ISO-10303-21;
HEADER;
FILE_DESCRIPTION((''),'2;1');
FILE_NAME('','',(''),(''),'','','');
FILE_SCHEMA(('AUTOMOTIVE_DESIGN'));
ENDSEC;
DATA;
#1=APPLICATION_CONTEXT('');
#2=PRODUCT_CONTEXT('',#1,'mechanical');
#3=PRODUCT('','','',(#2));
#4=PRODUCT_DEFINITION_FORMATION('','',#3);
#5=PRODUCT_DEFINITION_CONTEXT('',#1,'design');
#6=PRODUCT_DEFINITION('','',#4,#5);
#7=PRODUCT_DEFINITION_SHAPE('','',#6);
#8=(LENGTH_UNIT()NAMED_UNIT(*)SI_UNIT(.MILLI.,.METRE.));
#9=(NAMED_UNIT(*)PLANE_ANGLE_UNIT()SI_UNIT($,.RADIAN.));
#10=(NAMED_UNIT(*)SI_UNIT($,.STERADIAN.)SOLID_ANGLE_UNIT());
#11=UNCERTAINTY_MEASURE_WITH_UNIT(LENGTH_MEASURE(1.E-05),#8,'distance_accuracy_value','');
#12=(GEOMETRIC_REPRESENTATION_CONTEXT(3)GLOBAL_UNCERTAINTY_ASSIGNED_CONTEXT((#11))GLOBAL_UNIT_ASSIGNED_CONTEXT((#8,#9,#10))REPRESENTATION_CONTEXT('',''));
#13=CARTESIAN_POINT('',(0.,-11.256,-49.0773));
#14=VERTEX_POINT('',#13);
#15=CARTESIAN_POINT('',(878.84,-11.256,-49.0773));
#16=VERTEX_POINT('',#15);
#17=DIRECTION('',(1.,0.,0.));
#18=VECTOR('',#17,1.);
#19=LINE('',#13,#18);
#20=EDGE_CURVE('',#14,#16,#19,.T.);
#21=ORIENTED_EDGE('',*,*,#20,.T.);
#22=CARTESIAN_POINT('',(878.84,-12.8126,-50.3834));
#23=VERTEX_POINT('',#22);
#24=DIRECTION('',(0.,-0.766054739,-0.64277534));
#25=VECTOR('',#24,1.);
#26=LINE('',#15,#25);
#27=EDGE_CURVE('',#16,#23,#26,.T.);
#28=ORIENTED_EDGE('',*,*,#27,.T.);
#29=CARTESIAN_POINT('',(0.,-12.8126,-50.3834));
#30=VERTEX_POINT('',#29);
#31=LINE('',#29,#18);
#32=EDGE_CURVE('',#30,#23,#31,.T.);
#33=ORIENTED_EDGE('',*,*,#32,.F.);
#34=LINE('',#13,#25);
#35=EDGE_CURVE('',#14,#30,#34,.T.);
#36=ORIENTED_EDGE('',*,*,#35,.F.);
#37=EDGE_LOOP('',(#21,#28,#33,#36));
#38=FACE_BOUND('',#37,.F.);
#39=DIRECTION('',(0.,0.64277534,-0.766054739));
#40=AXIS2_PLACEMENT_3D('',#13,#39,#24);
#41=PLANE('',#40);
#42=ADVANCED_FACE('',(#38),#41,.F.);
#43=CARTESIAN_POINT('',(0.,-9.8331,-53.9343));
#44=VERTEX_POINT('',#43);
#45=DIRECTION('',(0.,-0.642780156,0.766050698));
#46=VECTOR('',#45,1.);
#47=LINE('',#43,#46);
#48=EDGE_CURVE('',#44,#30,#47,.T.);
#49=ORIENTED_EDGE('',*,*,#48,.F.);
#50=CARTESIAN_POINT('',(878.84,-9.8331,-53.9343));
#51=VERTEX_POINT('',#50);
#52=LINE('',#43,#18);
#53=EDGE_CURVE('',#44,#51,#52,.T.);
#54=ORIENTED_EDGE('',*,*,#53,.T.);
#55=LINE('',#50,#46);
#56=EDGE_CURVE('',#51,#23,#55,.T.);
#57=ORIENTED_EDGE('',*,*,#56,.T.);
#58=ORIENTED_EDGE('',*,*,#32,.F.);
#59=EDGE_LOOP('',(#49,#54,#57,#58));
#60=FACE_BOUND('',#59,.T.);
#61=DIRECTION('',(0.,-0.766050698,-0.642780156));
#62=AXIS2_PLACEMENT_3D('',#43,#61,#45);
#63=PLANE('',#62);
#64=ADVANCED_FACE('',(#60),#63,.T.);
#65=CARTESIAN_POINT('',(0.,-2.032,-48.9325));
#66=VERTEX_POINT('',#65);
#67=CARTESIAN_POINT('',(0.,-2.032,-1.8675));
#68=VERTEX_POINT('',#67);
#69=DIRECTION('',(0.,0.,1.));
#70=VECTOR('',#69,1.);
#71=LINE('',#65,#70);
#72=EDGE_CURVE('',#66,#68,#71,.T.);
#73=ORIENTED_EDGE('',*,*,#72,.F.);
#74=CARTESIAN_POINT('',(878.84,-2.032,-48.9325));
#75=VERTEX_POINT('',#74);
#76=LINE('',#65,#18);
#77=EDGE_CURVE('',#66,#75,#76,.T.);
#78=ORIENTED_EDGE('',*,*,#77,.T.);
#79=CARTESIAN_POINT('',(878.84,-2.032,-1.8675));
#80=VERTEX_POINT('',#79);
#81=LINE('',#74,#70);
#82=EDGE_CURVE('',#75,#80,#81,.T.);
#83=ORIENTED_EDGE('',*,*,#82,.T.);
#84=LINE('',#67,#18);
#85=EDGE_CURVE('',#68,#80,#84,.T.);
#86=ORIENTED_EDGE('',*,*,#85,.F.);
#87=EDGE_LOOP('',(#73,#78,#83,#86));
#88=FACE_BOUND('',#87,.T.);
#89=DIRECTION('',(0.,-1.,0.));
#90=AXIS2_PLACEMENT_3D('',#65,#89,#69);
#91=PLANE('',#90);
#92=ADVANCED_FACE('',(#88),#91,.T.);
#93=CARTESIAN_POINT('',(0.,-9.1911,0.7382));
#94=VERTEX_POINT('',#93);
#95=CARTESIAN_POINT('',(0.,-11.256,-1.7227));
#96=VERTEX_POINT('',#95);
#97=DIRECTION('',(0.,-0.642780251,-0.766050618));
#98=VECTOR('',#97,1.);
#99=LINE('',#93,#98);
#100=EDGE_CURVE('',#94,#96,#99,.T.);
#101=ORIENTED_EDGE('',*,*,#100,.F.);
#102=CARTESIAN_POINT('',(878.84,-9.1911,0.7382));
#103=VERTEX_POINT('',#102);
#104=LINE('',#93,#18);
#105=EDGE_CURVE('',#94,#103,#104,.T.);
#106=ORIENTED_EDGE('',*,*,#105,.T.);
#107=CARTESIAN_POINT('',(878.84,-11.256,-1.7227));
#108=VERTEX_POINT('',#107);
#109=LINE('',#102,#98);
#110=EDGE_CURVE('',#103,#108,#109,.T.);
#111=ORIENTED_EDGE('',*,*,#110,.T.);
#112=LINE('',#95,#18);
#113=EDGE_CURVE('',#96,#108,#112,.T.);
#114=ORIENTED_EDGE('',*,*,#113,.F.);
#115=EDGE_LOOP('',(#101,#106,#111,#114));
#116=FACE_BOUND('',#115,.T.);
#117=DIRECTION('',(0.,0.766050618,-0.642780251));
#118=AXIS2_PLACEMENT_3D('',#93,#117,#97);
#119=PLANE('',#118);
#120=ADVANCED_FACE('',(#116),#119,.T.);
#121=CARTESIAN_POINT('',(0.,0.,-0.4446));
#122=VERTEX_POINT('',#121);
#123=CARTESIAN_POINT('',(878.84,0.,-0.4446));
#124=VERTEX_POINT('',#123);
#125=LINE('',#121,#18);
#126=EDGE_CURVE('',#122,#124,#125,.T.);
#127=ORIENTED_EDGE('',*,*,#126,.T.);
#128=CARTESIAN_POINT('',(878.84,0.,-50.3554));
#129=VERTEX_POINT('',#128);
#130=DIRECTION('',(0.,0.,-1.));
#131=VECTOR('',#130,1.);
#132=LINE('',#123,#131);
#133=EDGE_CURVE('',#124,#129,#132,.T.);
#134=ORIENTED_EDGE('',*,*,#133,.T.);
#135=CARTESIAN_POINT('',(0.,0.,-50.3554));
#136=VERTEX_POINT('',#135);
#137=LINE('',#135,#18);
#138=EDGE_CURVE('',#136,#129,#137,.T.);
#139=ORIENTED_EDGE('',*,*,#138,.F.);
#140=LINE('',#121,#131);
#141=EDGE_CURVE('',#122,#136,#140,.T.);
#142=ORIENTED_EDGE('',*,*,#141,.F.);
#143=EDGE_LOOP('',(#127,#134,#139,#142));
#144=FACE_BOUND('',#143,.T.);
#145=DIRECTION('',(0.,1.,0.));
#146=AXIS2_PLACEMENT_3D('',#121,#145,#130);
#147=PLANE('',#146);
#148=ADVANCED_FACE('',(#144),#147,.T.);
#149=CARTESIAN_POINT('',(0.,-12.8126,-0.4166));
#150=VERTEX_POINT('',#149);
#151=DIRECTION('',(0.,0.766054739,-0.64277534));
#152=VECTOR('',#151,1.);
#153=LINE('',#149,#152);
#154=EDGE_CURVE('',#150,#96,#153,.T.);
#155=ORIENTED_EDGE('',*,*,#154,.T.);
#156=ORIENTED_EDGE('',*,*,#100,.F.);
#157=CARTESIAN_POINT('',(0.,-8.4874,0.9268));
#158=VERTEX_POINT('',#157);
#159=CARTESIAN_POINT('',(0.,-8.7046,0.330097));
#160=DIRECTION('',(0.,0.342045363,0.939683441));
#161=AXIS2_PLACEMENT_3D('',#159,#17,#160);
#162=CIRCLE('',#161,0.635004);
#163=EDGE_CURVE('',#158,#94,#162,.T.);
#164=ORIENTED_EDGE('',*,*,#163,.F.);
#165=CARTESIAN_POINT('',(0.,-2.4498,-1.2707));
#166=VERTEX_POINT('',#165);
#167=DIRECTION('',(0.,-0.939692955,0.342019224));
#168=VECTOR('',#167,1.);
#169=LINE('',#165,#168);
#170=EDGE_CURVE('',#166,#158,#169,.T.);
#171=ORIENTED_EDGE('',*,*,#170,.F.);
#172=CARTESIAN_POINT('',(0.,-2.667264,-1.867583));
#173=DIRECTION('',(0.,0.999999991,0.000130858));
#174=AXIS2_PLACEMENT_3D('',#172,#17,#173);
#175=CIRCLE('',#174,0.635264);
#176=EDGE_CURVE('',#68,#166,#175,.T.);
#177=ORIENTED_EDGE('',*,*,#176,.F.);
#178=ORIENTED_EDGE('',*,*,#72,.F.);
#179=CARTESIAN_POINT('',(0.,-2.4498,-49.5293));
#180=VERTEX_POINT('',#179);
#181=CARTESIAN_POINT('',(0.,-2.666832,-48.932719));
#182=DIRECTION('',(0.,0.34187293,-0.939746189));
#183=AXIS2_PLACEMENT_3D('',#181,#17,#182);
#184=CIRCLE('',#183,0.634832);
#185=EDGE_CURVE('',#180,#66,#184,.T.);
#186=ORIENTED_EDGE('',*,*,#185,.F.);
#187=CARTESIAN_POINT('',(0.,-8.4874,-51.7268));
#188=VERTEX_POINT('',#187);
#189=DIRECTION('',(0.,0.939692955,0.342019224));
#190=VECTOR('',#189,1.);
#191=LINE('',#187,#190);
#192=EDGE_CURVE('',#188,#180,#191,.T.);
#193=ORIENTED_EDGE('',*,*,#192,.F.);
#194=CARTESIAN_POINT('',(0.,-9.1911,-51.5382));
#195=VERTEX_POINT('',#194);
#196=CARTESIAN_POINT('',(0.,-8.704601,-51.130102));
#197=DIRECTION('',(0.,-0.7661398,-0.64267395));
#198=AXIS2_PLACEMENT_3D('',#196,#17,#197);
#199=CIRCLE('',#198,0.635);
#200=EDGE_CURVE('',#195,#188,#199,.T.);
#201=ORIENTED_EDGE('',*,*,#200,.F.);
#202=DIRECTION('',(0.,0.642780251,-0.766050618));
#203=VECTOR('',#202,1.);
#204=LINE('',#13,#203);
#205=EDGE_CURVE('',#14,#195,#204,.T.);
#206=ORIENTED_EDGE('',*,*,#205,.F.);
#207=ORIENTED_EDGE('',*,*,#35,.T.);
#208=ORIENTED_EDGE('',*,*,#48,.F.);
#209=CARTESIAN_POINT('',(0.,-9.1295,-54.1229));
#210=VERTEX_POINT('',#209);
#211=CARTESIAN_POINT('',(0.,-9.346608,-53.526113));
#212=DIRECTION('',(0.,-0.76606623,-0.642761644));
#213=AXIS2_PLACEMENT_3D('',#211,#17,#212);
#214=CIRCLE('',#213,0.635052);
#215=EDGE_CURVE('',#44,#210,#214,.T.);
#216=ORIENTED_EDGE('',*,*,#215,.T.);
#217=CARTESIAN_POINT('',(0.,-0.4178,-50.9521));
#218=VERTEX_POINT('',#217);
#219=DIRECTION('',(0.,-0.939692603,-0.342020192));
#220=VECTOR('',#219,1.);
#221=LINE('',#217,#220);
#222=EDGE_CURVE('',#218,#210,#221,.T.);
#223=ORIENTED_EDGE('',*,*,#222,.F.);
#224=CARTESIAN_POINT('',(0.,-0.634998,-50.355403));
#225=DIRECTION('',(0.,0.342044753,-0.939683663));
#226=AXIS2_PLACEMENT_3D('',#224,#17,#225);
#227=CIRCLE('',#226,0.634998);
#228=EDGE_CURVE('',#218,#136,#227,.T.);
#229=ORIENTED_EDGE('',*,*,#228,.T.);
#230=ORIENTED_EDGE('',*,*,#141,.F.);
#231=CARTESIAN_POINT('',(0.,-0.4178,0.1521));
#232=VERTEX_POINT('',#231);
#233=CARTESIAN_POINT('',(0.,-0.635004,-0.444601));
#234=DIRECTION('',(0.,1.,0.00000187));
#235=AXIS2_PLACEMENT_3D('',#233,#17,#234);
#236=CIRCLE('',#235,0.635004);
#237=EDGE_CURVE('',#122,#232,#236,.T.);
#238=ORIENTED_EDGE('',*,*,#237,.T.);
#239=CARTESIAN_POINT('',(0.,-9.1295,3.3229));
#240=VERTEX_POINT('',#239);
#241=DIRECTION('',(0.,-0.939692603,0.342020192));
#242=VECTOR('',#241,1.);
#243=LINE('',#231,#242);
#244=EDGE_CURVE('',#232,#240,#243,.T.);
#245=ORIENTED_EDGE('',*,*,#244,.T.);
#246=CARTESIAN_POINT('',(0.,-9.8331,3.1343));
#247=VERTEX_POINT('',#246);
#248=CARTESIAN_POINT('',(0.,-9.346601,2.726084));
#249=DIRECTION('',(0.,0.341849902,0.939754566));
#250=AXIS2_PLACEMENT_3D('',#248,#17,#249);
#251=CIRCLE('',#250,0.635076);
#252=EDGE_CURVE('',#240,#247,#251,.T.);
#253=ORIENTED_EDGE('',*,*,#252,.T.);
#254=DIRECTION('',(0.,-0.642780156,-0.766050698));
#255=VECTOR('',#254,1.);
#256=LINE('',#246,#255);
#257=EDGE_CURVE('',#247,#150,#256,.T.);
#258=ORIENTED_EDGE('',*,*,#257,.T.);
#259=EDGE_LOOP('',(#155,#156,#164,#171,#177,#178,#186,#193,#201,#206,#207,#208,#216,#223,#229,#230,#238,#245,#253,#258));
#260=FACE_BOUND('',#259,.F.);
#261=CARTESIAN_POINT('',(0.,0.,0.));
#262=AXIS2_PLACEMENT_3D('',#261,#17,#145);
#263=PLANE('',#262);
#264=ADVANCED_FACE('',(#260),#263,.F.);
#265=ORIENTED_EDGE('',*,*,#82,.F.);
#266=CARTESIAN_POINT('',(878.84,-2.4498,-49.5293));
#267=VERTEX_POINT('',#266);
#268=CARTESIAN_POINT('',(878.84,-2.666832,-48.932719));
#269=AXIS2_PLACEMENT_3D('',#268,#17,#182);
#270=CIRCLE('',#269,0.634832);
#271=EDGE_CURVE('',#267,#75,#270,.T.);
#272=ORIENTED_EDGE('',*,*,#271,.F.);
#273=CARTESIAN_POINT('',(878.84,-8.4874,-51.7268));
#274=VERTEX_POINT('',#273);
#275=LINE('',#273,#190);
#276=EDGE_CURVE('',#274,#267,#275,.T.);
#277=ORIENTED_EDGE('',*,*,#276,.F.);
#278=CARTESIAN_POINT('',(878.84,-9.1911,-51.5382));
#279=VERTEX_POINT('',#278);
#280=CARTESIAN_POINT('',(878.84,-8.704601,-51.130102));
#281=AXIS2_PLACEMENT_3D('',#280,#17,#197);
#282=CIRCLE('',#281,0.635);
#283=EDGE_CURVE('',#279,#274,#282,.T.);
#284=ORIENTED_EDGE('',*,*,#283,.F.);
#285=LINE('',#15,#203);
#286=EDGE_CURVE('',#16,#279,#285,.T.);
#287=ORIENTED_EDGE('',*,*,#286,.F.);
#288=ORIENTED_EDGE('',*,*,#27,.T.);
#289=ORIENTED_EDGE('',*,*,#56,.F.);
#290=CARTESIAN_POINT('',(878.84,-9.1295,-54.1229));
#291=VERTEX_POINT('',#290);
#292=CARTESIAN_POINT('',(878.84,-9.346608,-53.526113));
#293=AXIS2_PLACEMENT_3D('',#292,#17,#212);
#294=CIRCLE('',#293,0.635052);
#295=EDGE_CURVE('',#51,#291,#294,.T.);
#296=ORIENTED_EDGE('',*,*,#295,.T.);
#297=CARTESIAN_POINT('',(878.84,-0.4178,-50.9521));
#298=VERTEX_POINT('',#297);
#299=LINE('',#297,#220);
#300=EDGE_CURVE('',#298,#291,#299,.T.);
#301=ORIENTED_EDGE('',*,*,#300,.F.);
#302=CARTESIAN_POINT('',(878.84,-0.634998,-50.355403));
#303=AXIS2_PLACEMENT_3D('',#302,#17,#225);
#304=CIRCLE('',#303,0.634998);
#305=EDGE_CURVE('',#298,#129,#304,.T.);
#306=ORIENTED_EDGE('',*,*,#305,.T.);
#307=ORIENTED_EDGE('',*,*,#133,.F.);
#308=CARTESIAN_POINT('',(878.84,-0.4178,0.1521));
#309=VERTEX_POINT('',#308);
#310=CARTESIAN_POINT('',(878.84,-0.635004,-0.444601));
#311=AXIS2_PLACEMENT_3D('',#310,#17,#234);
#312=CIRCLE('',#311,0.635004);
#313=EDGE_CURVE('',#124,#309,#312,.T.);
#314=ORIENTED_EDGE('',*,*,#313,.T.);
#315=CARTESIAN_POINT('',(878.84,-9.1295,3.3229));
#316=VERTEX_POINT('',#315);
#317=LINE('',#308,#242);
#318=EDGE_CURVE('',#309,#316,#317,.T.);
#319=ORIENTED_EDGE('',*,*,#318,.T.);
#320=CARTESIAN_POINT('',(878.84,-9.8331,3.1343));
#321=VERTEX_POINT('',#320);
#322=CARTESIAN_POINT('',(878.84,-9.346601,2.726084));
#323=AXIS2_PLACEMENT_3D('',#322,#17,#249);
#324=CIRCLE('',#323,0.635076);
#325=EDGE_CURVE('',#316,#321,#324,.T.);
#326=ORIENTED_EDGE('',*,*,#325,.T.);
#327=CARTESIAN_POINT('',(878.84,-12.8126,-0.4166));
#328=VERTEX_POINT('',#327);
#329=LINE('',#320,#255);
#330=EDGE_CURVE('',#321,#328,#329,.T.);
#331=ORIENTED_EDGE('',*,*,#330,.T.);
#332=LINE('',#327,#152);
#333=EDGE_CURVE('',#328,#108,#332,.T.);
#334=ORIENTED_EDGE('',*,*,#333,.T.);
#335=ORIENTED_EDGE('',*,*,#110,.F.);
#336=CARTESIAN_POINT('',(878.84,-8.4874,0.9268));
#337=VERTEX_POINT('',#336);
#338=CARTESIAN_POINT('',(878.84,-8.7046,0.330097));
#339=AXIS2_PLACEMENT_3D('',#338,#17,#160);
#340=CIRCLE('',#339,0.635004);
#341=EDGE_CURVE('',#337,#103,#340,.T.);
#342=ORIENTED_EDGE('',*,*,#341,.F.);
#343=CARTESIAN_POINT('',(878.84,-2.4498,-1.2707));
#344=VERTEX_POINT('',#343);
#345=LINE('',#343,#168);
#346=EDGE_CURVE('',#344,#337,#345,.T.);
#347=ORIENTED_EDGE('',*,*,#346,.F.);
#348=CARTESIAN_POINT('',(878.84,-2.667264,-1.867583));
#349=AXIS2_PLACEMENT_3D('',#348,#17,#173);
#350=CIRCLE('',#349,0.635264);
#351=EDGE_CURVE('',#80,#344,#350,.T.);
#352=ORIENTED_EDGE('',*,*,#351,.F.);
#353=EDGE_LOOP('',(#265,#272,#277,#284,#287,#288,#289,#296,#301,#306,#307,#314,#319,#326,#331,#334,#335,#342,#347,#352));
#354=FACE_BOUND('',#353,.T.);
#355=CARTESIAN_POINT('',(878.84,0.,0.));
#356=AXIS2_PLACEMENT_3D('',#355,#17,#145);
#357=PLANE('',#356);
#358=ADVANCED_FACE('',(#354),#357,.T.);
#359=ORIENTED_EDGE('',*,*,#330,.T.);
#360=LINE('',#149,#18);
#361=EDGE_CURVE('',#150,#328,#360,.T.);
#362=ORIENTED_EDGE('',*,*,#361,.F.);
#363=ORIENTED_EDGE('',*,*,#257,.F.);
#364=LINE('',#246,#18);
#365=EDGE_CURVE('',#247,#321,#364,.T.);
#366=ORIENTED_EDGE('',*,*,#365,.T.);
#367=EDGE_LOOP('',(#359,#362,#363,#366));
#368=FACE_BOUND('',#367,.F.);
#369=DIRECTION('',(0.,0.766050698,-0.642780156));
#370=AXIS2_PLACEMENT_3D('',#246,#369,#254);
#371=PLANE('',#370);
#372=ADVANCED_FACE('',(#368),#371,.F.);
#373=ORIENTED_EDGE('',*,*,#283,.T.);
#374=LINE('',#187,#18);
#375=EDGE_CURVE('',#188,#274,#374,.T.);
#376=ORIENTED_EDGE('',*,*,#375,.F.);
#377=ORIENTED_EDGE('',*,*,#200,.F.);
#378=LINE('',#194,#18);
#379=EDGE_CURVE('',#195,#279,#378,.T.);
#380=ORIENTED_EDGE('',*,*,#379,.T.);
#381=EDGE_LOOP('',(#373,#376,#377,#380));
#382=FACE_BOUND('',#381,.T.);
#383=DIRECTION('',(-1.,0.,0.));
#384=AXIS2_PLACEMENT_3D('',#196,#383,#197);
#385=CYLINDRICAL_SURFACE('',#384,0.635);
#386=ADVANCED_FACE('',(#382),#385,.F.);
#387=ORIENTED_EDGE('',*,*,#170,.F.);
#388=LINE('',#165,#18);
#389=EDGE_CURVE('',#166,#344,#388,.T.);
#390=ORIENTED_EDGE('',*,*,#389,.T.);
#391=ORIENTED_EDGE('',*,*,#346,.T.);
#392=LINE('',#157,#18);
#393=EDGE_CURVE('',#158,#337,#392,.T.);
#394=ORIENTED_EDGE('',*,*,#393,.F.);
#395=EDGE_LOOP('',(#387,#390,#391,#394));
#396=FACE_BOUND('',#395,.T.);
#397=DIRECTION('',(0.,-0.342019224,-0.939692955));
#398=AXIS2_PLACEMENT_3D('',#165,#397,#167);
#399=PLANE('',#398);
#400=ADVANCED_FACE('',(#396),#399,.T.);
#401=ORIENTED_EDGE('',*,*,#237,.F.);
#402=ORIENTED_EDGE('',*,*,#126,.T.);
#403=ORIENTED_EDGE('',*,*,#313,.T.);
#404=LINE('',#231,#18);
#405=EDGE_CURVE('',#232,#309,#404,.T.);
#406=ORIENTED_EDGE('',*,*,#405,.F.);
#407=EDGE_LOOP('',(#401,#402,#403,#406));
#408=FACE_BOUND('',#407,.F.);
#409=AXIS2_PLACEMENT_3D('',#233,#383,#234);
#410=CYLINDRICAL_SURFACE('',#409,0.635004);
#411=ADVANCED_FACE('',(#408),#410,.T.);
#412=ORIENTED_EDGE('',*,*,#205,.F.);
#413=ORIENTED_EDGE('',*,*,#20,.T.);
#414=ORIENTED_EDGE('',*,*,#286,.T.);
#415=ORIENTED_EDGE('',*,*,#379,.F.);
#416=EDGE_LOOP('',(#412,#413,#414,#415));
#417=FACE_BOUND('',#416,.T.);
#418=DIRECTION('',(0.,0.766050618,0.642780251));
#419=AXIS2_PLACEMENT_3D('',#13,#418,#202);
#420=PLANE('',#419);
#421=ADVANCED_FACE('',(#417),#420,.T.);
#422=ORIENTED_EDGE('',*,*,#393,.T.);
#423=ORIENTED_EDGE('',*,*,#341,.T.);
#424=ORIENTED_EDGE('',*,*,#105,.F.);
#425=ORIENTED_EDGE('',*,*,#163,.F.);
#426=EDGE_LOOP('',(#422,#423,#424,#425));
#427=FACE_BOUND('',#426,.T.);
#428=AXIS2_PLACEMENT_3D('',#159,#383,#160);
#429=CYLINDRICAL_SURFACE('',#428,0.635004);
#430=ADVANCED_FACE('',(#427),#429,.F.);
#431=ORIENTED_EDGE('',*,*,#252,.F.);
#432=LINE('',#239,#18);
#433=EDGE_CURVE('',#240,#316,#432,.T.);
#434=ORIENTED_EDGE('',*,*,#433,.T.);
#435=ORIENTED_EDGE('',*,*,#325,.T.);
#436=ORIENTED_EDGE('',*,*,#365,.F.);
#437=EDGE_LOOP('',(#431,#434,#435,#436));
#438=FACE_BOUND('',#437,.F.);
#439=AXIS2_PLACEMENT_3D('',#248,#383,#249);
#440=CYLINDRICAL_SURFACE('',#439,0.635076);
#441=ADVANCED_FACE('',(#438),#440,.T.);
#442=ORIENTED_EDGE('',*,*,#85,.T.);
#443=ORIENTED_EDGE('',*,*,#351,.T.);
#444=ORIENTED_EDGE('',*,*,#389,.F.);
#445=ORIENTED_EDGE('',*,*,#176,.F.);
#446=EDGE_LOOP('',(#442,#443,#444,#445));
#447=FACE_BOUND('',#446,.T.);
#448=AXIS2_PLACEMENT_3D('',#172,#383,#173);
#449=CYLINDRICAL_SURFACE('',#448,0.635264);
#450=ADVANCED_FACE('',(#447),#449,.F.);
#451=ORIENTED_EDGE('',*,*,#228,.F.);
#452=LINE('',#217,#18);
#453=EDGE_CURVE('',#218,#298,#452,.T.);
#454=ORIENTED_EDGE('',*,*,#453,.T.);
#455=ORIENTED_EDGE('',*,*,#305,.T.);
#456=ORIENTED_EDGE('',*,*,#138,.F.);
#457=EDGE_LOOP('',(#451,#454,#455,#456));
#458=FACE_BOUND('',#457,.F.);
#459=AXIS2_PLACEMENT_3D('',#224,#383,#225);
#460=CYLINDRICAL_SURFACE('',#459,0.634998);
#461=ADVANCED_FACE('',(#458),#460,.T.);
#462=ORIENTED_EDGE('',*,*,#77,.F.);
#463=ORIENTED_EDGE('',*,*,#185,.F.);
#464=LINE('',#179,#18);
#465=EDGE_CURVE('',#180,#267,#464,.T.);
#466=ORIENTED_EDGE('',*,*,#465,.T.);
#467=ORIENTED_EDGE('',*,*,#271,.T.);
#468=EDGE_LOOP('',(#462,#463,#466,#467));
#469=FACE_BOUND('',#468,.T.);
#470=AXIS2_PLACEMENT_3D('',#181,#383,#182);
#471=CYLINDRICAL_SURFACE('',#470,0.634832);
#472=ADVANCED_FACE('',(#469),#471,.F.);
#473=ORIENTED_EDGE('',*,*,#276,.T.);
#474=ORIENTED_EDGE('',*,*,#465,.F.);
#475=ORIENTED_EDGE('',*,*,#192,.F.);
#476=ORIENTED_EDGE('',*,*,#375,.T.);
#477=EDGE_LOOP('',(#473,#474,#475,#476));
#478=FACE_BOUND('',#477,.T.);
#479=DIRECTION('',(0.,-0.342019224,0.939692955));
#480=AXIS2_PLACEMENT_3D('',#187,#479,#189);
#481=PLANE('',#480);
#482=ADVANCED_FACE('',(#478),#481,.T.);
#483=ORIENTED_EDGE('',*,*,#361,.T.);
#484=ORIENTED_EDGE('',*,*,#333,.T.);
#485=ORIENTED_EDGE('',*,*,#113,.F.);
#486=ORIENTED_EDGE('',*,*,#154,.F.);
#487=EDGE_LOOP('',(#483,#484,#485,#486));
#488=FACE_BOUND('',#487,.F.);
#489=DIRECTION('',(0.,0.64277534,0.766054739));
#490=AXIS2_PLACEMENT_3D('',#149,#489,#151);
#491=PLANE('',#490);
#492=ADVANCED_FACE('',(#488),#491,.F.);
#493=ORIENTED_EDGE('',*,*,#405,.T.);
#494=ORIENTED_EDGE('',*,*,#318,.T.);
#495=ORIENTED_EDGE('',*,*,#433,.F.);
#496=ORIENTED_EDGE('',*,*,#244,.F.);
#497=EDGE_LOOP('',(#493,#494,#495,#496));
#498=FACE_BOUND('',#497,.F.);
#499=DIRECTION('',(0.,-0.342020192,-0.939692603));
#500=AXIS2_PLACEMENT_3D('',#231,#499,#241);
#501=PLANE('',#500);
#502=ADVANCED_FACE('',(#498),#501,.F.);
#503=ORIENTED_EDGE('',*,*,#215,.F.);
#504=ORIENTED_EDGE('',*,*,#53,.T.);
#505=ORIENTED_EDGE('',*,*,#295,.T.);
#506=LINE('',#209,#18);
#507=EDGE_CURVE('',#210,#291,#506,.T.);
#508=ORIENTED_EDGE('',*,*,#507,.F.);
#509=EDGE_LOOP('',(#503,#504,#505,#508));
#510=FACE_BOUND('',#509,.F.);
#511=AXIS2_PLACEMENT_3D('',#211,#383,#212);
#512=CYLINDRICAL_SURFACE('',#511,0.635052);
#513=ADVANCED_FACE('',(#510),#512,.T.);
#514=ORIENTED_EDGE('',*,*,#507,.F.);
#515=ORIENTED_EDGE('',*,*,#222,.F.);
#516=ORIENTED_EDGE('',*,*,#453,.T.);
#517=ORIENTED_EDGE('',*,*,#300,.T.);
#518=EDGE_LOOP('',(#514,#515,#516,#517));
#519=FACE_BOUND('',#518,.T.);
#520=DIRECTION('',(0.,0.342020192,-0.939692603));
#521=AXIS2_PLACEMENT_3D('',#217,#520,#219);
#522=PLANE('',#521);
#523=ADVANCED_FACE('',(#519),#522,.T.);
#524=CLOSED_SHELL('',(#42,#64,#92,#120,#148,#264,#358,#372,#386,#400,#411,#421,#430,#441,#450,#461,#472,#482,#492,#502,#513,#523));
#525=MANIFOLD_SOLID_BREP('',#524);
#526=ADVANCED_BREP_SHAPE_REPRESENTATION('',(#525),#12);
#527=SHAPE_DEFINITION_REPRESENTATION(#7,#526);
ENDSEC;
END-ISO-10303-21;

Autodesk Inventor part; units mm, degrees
ref_plane "YZ Plane" through (0, 0, 0) normal (1, 0, 0) x (0, 1, 0)
ref_plane "XZ Plane" through (0, 0, 0) normal (0, 1, 0) x (-1, 0, 0)
ref_plane "XY Plane" through (0, 0, 0) normal (0, 0, 1) x (1, 0, 0)
sketch "Sketch1" plane through (0, 0, 0) normal (1, 0, 0) x (0, 1, 0)
  line L0 (0, -0.4446) -> (0, -50.3554)
  line L1 (-0.4178, -50.9521) -> (-9.1295, -54.1229)
  line L2 (-9.8331, -53.9343) -> (-12.8126, -50.3834)
  line L3 (-0.4178, 0.1521) -> (-9.1295, 3.3229)
  line L4 (-9.8331, 3.1343) -> (-12.8126, -0.4166)
  line L5 (-11.256, -49.0773) -> (-9.1911, -51.5382)
  line L6 (-8.4874, -51.7268) -> (-2.4498, -49.5293)
  line L7 (-2.032, -48.9325) -> (-2.032, -1.8675)
  line L8 (-2.4498, -1.2707) -> (-8.4874, 0.9268)
  line L9 (-9.1911, 0.7382) -> (-11.256, -1.7227)
  line L10 (-12.8126, -0.4166) -> (-11.256, -1.7227)
  line L11 (-11.256, -49.0773) -> (-12.8126, -50.3834)
  arc A0 (0, -0.4446) -> (-0.4178, 0.1521) centre (-0.635, -0.4446) ccw
  arc A1 (-2.032, -1.8675) -> (-2.4498, -1.2707) centre (-2.667, -1.8675) ccw
  arc A2 (-9.1295, 3.3229) -> (-9.8331, 3.1343) centre (-9.3466, 2.7261) ccw
  arc A3 (-8.4874, 0.9268) -> (-9.1911, 0.7382) centre (-8.7046, 0.3301) ccw
  arc A4 (-2.4498, -49.5293) -> (-2.032, -48.9325) centre (-2.667, -48.9325) ccw
  arc A5 (-0.4178, -50.9521) -> (0, -50.3554) centre (-0.635, -50.3554) ccw
  arc A6 (-9.1911, -51.5382) -> (-8.4874, -51.7268) centre (-8.7046, -51.1301) ccw
  arc A7 (-9.8331, -53.9343) -> (-9.1295, -54.1229) centre (-9.3466, -53.5261) ccw
  point P0 (0, 0)
  point P1 (0, -50.8)
  point P2 (-9.5473, -54.2749)
  point P3 (-9.5473, 3.4749)
  dimension "d0" = 50.8
  dimension "d1" = 10.16
  dimension "d2" = 5.08
  dimension "d3" = 110
  dimension "d4" = 110
  dimension "d5" = 10.16
  dimension "d6" = 5.08
  dimension "d7" = 110
  dimension "d8" = 110
  dimension "d9" = 2.032
  dimension "d10" = 0.635
extrude "Extrusion1" add sketch "Sketch1" along normal blind 878.84
properties part number "the outside slider part"
